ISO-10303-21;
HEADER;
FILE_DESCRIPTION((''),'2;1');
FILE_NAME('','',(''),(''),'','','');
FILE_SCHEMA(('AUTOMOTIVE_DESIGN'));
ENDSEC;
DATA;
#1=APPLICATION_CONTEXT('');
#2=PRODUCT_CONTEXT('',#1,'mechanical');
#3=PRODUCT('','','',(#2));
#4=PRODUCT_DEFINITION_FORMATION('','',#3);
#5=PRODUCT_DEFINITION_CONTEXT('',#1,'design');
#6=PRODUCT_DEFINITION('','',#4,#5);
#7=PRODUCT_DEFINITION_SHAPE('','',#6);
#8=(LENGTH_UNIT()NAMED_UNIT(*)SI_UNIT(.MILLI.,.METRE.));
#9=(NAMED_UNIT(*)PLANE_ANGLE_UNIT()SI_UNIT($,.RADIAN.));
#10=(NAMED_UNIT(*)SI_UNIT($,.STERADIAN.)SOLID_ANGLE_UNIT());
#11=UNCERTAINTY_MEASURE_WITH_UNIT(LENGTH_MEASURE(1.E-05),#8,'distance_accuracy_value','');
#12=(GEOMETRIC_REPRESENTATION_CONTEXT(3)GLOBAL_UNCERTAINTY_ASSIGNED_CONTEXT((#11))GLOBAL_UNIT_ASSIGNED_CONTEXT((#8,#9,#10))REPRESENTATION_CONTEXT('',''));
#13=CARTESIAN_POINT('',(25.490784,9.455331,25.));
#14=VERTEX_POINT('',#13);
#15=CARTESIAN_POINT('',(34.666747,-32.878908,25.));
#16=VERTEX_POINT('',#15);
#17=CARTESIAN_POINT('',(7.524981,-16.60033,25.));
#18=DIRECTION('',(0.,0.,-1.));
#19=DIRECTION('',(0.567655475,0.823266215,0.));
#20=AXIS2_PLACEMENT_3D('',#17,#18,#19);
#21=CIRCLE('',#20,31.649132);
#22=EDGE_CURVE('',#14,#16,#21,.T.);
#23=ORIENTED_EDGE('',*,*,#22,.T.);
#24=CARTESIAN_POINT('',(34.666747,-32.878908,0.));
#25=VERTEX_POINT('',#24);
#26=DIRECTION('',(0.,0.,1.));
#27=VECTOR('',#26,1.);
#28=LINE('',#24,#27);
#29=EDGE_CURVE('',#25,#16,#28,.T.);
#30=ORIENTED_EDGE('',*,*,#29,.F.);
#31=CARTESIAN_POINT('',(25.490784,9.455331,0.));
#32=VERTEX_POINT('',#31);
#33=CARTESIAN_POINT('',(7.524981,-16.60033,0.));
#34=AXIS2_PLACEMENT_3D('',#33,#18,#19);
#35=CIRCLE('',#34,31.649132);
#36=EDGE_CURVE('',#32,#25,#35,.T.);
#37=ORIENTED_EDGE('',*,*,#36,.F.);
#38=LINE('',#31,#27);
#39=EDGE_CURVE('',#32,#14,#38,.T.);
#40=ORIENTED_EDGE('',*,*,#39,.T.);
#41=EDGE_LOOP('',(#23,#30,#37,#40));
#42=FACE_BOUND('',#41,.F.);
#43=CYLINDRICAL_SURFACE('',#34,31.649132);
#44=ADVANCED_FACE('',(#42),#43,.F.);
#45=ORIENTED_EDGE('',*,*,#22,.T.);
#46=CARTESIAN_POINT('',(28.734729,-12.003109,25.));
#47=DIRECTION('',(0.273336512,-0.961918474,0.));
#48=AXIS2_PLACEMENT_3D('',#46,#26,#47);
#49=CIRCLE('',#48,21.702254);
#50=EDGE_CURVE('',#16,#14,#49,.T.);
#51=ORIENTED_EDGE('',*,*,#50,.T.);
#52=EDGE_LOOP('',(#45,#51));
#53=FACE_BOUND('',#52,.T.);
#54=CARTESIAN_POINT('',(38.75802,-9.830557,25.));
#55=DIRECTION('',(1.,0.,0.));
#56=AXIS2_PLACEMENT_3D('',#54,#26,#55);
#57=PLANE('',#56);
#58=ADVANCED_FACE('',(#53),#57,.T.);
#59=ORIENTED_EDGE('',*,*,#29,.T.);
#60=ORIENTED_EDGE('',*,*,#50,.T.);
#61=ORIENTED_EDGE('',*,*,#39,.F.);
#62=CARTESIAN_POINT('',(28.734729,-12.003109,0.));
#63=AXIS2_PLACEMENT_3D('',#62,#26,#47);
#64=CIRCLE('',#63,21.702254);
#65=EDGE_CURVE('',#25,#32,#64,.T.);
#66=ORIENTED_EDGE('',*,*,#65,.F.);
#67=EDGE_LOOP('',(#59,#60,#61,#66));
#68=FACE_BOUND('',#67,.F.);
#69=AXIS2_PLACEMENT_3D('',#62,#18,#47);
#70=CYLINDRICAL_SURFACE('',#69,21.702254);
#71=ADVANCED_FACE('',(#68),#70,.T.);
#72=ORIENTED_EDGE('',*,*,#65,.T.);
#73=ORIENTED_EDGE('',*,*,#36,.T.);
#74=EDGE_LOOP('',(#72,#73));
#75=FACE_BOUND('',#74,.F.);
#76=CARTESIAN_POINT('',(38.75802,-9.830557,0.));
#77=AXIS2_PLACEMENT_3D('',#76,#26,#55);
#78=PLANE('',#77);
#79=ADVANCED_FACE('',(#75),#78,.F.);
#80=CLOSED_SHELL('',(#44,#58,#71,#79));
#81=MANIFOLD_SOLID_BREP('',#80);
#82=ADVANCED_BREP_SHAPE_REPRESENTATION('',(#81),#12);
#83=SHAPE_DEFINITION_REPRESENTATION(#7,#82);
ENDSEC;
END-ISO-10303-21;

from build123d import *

# Parameters (mm, degrees)
F1_DEPTH = 25


with BuildPart() as f1:
    # F0 (on Top) → F1 (new body)
    with BuildSketch(Plane.XY):
        with BuildLine():
            ThreePointArc((25.490784, 9.455331), (38.455874, -9.896047), (34.666747, -32.878908))
            ThreePointArc((34.666747, -32.878908), (49.944476, -7.405888), (25.490784, 9.455331))
        make_face()
    extrude(amount=F1_DEPTH)


solid = f1.part
